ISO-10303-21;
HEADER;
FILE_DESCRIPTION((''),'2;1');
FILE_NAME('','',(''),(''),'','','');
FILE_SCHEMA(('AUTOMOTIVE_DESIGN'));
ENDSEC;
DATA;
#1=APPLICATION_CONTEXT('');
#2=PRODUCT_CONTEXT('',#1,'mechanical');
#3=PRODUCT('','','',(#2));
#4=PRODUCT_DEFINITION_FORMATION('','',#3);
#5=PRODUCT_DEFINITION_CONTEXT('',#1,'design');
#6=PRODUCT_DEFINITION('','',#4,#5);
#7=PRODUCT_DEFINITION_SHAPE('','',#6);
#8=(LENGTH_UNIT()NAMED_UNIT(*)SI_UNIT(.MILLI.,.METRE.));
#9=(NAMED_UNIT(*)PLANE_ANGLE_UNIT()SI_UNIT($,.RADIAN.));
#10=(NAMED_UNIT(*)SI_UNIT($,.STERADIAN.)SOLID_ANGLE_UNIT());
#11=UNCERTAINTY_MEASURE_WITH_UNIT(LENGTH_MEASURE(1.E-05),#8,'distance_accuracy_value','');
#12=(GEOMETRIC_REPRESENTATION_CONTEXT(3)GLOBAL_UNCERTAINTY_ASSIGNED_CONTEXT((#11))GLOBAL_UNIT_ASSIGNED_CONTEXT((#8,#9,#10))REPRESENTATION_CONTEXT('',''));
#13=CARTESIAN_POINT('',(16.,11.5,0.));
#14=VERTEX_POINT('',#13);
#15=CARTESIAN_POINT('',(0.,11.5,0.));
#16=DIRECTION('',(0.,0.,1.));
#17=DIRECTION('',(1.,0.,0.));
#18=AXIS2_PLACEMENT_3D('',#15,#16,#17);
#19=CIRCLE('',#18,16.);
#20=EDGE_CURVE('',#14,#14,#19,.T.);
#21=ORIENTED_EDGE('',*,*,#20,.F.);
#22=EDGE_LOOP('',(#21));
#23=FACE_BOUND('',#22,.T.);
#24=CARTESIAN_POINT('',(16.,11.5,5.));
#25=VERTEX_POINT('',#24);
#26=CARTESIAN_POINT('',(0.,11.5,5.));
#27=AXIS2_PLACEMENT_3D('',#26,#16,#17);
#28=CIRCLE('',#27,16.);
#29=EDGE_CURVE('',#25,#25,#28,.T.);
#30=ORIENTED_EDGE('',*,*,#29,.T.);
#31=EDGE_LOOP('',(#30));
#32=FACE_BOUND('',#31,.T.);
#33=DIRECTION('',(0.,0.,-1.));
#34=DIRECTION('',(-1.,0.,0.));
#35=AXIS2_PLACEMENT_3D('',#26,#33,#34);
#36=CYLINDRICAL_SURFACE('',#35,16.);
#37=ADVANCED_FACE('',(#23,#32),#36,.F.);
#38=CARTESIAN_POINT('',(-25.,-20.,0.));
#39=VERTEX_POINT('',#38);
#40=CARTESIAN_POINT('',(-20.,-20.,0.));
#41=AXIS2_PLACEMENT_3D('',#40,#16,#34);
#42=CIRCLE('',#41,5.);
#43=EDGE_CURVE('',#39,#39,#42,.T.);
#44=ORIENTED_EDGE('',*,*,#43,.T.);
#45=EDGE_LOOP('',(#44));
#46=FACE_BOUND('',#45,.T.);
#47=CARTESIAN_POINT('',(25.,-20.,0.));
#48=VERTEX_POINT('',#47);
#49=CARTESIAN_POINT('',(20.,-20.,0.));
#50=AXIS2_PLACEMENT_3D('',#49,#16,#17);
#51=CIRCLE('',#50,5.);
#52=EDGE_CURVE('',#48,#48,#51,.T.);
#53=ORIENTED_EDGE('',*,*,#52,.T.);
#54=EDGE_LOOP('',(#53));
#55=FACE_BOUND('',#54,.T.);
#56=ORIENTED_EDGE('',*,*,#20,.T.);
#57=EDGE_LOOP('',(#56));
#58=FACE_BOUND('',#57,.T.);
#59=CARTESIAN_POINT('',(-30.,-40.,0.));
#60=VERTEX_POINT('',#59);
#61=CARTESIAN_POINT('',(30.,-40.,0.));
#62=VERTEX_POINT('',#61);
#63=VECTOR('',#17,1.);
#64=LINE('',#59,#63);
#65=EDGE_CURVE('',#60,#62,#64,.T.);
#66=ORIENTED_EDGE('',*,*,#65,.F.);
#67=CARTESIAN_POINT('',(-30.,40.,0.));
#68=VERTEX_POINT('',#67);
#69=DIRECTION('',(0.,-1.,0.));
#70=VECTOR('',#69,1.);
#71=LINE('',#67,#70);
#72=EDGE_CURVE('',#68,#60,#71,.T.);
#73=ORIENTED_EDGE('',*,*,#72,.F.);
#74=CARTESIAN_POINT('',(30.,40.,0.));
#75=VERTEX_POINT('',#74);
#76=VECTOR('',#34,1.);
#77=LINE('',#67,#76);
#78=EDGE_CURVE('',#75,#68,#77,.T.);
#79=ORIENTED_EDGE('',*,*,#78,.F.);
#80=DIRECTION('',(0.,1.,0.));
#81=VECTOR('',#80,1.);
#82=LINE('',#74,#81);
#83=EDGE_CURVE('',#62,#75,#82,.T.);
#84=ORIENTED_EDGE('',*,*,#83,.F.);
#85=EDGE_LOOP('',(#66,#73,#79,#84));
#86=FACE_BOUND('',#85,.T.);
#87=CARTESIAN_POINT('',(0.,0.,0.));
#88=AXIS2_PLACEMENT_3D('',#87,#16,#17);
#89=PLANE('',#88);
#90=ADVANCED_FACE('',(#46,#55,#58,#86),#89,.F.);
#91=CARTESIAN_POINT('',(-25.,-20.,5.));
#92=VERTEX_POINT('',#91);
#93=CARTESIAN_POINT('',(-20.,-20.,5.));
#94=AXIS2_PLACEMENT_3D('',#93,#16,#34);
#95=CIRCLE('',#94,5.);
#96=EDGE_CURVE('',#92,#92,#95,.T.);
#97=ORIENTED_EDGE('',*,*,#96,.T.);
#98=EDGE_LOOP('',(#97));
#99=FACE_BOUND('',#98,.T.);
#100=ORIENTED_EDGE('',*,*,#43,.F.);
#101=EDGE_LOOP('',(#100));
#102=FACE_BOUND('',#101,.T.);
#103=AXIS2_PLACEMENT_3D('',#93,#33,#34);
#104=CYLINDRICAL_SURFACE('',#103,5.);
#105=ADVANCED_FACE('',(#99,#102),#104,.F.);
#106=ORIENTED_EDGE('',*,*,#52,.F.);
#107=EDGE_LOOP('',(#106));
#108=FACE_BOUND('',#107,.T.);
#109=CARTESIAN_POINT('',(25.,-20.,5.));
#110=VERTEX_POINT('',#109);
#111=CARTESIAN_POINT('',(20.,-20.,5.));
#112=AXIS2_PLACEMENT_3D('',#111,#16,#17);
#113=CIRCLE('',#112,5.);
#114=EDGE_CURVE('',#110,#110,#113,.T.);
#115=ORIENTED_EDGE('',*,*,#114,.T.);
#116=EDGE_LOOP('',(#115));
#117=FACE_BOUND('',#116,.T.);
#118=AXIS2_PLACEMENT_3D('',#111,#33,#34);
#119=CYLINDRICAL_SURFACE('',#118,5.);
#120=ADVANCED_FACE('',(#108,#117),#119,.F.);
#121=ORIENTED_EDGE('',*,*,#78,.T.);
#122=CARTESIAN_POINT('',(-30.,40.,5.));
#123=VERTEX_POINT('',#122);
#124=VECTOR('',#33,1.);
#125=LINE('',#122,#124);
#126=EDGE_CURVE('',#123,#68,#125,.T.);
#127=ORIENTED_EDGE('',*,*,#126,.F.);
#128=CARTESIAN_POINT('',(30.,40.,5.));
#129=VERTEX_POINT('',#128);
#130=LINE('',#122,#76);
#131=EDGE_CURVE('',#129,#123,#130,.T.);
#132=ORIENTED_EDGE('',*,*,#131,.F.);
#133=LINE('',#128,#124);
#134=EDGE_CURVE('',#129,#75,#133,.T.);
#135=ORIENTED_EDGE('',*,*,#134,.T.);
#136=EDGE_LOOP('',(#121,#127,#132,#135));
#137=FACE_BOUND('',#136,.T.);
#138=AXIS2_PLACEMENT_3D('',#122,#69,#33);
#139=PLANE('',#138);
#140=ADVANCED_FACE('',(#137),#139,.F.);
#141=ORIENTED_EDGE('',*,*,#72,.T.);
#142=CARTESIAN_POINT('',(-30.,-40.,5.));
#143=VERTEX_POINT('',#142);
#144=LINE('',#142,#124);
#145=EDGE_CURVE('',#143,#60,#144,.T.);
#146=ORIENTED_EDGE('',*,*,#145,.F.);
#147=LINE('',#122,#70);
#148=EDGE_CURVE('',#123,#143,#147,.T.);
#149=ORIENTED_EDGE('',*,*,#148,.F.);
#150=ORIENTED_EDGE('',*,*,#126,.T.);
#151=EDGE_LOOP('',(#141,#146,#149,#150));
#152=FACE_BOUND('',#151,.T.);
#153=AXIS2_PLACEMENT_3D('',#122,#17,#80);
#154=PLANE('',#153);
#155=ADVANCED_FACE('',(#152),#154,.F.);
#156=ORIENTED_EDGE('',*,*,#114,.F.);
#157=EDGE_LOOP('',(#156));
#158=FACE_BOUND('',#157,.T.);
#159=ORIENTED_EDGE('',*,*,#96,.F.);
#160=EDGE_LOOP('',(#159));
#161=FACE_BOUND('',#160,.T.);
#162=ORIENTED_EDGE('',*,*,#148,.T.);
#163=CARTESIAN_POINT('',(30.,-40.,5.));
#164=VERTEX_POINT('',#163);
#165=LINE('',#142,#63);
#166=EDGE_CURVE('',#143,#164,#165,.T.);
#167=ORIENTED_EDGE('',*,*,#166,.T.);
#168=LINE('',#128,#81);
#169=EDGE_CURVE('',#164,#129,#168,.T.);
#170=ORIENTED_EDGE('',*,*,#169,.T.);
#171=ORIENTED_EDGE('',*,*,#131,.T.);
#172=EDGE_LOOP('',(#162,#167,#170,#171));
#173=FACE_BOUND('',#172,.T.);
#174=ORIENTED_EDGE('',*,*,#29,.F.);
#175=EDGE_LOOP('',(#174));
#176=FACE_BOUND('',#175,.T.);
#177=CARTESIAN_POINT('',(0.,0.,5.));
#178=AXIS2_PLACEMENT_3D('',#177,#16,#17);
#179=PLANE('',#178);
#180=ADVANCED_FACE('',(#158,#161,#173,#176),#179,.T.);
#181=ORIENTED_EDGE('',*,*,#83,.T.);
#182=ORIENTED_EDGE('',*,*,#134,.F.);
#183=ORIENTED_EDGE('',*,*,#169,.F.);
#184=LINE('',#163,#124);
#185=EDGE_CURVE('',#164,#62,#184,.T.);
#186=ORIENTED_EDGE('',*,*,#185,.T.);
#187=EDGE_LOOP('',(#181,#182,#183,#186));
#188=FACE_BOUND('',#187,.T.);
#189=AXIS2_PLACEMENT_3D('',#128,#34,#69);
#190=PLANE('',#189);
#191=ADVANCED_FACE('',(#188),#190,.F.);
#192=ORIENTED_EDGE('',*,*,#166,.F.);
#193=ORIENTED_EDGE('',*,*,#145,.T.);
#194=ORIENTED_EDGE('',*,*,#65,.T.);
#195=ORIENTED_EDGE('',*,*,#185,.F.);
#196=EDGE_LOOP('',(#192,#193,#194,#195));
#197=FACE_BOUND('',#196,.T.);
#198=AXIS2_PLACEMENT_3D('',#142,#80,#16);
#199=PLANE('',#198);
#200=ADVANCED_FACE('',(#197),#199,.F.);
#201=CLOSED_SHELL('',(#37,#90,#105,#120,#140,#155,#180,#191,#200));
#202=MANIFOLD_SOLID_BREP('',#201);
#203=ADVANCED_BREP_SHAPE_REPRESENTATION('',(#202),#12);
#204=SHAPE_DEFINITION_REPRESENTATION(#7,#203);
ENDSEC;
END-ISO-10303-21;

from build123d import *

# Parameters (mm, degrees)
SKETCH1_W           = 60
SKETCH1_H           = 80
SKETCH1_R           = 16
SKETCH1_R_2         = 5
BOSS_EXTRUDE1_DEPTH = 5


with BuildPart() as part:
    # Sketch1 → Boss-Extrude1 (new body)
    with BuildSketch(Plane.XY):
        Rectangle(SKETCH1_W, SKETCH1_H)
        with Locations((0, 11.5)):
            Circle(SKETCH1_R, mode=Mode.SUBTRACT)
        with Locations((20, -20)):
            Circle(SKETCH1_R_2, mode=Mode.SUBTRACT)
        with Locations(Location((-20, -20, 0), (0, 0, 180))):
            Circle(SKETCH1_R_2, mode=Mode.SUBTRACT)
    extrude(amount=BOSS_EXTRUDE1_DEPTH)


solid = part.part
